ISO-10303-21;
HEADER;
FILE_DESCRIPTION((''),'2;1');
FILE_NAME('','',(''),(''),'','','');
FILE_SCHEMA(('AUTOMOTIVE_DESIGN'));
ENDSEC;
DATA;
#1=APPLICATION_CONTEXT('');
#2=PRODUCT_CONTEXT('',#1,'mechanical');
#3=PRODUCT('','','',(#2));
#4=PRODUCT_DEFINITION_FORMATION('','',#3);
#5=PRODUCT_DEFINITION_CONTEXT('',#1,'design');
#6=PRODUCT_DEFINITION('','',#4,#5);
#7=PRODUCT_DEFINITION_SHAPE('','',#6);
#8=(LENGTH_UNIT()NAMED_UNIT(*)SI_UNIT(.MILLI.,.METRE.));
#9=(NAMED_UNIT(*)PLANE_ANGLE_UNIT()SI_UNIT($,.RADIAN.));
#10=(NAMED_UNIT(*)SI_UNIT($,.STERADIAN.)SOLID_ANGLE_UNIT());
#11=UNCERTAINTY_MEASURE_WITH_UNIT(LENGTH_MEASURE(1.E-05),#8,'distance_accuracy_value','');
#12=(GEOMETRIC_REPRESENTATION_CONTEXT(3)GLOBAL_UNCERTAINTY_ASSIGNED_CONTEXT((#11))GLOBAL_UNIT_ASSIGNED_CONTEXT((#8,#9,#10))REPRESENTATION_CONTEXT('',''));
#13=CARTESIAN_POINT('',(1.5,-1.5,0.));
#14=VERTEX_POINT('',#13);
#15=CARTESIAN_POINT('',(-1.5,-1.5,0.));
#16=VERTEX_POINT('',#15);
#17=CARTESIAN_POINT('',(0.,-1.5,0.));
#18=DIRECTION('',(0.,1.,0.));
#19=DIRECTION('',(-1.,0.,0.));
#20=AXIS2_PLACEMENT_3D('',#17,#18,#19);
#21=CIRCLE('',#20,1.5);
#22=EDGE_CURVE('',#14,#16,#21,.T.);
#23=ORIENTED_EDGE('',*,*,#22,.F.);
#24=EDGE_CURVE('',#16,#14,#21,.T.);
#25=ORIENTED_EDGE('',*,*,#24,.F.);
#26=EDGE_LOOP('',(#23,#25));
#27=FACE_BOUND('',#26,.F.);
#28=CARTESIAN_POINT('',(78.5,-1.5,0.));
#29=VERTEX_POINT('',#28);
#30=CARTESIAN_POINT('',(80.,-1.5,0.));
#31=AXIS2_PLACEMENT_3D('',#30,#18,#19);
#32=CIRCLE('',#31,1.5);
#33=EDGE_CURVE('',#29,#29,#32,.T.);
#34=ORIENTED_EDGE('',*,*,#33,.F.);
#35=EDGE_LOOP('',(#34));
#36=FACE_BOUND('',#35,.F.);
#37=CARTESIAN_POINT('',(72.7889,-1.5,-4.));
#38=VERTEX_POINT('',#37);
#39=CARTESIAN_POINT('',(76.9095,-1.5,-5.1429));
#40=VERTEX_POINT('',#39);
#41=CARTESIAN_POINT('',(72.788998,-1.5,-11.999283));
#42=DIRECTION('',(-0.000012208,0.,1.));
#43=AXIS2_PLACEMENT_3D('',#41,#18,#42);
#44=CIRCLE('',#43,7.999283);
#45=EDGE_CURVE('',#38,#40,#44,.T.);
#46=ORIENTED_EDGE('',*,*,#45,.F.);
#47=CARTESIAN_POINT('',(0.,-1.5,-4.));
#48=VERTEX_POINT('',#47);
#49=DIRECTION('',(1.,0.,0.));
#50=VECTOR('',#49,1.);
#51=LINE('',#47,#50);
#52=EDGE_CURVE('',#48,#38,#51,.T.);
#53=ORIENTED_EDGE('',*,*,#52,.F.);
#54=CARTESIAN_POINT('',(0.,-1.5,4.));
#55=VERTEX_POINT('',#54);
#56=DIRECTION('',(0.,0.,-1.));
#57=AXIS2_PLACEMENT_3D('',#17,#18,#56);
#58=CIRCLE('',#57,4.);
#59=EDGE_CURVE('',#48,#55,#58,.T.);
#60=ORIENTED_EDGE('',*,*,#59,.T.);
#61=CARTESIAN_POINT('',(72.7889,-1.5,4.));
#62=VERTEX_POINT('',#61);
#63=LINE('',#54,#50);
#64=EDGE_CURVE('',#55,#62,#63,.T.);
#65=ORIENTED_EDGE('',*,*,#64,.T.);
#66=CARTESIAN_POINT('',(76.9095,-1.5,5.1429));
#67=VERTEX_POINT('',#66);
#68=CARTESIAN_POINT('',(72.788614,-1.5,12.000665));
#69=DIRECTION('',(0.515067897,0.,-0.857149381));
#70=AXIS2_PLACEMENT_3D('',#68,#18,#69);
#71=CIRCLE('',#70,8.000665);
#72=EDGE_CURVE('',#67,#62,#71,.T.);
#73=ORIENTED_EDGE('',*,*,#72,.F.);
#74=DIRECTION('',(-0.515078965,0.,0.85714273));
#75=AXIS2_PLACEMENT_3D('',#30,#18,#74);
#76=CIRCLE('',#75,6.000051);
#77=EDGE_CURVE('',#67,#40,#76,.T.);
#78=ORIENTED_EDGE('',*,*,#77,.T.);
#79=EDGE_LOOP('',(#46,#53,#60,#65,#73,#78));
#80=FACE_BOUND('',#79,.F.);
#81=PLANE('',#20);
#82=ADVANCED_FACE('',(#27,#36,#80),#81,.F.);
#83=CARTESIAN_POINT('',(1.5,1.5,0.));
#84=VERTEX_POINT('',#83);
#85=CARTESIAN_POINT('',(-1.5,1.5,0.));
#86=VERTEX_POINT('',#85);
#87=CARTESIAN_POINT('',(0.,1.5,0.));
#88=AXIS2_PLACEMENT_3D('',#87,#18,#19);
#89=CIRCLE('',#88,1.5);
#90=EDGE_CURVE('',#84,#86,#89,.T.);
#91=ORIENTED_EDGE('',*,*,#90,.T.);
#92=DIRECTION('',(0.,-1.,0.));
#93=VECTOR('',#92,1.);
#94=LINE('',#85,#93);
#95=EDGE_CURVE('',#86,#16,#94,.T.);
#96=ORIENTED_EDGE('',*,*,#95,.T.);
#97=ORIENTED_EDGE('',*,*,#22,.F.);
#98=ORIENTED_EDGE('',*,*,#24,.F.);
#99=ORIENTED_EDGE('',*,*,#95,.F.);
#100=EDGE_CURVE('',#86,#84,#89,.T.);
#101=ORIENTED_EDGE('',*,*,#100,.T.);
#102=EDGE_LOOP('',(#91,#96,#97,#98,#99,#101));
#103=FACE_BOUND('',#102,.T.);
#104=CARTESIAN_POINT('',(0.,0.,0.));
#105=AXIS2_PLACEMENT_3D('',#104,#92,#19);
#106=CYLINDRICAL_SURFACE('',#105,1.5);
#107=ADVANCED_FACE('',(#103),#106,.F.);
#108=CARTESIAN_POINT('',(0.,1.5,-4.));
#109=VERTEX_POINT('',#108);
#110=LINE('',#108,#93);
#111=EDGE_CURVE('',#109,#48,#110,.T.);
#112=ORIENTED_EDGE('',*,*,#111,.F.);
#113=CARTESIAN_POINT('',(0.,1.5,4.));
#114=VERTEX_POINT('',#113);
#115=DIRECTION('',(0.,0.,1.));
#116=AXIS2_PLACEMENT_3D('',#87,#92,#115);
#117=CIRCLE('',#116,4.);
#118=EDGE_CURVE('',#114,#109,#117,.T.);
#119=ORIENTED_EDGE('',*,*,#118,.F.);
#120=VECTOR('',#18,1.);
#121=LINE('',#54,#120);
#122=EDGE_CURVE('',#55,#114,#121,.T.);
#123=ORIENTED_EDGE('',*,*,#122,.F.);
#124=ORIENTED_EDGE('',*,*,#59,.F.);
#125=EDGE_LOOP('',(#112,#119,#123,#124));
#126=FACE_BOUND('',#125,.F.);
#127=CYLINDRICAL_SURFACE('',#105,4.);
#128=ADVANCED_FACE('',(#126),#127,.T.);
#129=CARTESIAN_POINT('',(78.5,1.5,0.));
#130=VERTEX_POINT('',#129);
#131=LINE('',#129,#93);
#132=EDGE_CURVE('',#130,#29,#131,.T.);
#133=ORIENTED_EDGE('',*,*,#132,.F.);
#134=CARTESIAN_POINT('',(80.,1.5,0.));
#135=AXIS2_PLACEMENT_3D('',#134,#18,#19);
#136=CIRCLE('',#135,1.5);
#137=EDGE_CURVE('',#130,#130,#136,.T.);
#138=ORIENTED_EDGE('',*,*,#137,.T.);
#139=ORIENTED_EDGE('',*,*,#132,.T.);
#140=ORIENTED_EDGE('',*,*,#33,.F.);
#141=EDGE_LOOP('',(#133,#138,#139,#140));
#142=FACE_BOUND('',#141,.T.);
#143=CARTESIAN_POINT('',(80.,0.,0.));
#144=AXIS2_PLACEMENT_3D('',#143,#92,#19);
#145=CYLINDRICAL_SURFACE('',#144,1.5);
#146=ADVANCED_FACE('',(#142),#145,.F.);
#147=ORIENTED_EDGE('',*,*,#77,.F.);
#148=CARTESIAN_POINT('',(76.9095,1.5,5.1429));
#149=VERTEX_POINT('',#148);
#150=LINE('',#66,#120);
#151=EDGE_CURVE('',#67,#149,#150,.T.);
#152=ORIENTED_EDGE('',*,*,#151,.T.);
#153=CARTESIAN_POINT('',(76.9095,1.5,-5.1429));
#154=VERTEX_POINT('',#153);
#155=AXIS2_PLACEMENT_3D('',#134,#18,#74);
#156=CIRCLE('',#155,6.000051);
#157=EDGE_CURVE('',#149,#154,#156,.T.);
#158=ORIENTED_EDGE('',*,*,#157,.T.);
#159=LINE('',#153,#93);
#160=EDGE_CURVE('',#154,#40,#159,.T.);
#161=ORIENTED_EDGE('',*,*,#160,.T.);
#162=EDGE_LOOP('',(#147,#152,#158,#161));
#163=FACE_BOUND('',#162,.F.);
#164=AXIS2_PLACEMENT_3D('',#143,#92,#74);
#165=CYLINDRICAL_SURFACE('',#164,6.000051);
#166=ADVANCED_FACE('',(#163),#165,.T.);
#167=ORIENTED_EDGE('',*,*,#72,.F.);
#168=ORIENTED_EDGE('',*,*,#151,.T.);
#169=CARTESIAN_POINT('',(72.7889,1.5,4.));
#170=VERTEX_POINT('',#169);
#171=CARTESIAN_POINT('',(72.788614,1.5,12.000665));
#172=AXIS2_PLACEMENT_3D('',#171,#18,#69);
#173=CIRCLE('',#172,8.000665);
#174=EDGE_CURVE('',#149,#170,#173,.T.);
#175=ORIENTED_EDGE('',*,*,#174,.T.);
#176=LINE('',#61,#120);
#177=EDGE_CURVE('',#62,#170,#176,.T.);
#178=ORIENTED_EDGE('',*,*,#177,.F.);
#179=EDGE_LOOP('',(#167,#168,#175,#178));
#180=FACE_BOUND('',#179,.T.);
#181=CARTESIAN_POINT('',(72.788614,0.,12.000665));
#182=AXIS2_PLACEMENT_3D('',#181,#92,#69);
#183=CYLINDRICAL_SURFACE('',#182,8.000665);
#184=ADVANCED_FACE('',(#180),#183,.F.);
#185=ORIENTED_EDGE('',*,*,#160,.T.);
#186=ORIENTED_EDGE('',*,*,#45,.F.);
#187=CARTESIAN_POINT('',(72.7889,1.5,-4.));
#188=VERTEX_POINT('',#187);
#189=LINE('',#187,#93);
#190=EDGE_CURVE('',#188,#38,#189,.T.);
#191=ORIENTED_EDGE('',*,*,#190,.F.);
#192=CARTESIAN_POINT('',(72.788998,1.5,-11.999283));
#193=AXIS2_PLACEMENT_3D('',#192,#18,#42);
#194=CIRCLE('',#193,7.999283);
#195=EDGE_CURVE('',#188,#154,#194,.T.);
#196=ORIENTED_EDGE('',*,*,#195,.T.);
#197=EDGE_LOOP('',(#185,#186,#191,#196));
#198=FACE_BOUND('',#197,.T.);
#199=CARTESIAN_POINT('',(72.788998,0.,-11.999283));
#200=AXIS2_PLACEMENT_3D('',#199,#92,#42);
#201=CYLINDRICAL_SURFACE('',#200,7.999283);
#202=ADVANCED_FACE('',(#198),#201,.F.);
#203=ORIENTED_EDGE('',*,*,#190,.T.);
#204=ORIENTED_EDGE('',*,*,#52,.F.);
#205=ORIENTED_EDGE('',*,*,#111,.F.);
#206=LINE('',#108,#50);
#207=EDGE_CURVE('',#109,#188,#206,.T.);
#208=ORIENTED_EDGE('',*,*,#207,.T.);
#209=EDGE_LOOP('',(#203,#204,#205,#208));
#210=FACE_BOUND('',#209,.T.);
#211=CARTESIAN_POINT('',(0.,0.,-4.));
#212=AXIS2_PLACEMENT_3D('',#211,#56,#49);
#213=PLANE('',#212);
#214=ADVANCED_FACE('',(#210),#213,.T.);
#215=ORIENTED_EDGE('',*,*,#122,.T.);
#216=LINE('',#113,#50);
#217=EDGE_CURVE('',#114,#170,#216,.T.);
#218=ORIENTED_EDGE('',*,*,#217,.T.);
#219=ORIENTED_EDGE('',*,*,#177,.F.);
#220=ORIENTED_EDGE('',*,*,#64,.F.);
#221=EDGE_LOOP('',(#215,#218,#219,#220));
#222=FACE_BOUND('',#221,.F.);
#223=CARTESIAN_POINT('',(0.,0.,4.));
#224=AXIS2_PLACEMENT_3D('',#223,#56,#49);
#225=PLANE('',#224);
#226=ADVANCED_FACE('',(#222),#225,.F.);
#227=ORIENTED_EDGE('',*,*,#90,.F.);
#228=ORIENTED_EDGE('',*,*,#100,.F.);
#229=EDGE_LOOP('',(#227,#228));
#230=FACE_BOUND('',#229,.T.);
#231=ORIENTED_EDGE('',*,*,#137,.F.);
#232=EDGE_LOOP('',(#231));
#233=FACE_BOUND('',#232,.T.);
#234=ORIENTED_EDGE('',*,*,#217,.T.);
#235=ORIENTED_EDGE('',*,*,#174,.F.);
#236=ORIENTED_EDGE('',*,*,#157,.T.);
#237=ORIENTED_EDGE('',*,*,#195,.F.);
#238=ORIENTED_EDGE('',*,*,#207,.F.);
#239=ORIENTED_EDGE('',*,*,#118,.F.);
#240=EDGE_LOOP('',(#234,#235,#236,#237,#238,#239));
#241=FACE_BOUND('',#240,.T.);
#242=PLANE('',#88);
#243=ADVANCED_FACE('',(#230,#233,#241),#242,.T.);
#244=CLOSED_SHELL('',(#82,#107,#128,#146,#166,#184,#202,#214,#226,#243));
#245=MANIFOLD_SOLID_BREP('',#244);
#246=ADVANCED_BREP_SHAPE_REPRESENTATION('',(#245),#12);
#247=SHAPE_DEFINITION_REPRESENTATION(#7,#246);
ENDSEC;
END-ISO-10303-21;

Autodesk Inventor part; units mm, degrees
ref_plane "YZ Plane" through (0, 0, 0) normal (1, 0, 0) x (0, 1, 0)
ref_plane "XZ Plane" through (0, 0, 0) normal (0, 1, 0) x (-1, 0, 0)
ref_plane "XY Plane" through (0, 0, 0) normal (0, 0, 1) x (1, 0, 0)
sketch "草圖1" plane through (0, 0, 0) normal (0, 1, 0) x (-1, 0, 0)
  circle A0 centre (0, 0) radius 1.5
  circle A1 centre (0, 0) radius 4
  line L0 (0, 0) -> (-80, 0)
  circle A2 centre (-80, 0) radius 1.5
  arc A3 (-76.9095, 5.1429) -> (-76.9095, -5.1429) centre (-80, 0) ccw
  line L1 (0, 4) -> (-72.7889, 4)
  line L2 (0, -4) -> (-72.7889, -4)
  arc A4 (-76.9095, 5.1429) -> (-72.7889, 4) centre (-72.7889, 12) ccw
  arc A5 (-72.7889, -4) -> (-76.9095, -5.1429) centre (-72.7889, -12) ccw
  point P0 (-75.5279, 4)
  point P1 (-75.5279, -4)
  dimension "d0" = 3
  dimension "d1" = 8
  dimension "d2" = 80
  dimension "d3" = 3
  dimension "d4" = 12
  dimension "d5" = 8
extrude "擠出1" add sketch "草圖1" along normal mid plane 3
properties part number "連接1"
